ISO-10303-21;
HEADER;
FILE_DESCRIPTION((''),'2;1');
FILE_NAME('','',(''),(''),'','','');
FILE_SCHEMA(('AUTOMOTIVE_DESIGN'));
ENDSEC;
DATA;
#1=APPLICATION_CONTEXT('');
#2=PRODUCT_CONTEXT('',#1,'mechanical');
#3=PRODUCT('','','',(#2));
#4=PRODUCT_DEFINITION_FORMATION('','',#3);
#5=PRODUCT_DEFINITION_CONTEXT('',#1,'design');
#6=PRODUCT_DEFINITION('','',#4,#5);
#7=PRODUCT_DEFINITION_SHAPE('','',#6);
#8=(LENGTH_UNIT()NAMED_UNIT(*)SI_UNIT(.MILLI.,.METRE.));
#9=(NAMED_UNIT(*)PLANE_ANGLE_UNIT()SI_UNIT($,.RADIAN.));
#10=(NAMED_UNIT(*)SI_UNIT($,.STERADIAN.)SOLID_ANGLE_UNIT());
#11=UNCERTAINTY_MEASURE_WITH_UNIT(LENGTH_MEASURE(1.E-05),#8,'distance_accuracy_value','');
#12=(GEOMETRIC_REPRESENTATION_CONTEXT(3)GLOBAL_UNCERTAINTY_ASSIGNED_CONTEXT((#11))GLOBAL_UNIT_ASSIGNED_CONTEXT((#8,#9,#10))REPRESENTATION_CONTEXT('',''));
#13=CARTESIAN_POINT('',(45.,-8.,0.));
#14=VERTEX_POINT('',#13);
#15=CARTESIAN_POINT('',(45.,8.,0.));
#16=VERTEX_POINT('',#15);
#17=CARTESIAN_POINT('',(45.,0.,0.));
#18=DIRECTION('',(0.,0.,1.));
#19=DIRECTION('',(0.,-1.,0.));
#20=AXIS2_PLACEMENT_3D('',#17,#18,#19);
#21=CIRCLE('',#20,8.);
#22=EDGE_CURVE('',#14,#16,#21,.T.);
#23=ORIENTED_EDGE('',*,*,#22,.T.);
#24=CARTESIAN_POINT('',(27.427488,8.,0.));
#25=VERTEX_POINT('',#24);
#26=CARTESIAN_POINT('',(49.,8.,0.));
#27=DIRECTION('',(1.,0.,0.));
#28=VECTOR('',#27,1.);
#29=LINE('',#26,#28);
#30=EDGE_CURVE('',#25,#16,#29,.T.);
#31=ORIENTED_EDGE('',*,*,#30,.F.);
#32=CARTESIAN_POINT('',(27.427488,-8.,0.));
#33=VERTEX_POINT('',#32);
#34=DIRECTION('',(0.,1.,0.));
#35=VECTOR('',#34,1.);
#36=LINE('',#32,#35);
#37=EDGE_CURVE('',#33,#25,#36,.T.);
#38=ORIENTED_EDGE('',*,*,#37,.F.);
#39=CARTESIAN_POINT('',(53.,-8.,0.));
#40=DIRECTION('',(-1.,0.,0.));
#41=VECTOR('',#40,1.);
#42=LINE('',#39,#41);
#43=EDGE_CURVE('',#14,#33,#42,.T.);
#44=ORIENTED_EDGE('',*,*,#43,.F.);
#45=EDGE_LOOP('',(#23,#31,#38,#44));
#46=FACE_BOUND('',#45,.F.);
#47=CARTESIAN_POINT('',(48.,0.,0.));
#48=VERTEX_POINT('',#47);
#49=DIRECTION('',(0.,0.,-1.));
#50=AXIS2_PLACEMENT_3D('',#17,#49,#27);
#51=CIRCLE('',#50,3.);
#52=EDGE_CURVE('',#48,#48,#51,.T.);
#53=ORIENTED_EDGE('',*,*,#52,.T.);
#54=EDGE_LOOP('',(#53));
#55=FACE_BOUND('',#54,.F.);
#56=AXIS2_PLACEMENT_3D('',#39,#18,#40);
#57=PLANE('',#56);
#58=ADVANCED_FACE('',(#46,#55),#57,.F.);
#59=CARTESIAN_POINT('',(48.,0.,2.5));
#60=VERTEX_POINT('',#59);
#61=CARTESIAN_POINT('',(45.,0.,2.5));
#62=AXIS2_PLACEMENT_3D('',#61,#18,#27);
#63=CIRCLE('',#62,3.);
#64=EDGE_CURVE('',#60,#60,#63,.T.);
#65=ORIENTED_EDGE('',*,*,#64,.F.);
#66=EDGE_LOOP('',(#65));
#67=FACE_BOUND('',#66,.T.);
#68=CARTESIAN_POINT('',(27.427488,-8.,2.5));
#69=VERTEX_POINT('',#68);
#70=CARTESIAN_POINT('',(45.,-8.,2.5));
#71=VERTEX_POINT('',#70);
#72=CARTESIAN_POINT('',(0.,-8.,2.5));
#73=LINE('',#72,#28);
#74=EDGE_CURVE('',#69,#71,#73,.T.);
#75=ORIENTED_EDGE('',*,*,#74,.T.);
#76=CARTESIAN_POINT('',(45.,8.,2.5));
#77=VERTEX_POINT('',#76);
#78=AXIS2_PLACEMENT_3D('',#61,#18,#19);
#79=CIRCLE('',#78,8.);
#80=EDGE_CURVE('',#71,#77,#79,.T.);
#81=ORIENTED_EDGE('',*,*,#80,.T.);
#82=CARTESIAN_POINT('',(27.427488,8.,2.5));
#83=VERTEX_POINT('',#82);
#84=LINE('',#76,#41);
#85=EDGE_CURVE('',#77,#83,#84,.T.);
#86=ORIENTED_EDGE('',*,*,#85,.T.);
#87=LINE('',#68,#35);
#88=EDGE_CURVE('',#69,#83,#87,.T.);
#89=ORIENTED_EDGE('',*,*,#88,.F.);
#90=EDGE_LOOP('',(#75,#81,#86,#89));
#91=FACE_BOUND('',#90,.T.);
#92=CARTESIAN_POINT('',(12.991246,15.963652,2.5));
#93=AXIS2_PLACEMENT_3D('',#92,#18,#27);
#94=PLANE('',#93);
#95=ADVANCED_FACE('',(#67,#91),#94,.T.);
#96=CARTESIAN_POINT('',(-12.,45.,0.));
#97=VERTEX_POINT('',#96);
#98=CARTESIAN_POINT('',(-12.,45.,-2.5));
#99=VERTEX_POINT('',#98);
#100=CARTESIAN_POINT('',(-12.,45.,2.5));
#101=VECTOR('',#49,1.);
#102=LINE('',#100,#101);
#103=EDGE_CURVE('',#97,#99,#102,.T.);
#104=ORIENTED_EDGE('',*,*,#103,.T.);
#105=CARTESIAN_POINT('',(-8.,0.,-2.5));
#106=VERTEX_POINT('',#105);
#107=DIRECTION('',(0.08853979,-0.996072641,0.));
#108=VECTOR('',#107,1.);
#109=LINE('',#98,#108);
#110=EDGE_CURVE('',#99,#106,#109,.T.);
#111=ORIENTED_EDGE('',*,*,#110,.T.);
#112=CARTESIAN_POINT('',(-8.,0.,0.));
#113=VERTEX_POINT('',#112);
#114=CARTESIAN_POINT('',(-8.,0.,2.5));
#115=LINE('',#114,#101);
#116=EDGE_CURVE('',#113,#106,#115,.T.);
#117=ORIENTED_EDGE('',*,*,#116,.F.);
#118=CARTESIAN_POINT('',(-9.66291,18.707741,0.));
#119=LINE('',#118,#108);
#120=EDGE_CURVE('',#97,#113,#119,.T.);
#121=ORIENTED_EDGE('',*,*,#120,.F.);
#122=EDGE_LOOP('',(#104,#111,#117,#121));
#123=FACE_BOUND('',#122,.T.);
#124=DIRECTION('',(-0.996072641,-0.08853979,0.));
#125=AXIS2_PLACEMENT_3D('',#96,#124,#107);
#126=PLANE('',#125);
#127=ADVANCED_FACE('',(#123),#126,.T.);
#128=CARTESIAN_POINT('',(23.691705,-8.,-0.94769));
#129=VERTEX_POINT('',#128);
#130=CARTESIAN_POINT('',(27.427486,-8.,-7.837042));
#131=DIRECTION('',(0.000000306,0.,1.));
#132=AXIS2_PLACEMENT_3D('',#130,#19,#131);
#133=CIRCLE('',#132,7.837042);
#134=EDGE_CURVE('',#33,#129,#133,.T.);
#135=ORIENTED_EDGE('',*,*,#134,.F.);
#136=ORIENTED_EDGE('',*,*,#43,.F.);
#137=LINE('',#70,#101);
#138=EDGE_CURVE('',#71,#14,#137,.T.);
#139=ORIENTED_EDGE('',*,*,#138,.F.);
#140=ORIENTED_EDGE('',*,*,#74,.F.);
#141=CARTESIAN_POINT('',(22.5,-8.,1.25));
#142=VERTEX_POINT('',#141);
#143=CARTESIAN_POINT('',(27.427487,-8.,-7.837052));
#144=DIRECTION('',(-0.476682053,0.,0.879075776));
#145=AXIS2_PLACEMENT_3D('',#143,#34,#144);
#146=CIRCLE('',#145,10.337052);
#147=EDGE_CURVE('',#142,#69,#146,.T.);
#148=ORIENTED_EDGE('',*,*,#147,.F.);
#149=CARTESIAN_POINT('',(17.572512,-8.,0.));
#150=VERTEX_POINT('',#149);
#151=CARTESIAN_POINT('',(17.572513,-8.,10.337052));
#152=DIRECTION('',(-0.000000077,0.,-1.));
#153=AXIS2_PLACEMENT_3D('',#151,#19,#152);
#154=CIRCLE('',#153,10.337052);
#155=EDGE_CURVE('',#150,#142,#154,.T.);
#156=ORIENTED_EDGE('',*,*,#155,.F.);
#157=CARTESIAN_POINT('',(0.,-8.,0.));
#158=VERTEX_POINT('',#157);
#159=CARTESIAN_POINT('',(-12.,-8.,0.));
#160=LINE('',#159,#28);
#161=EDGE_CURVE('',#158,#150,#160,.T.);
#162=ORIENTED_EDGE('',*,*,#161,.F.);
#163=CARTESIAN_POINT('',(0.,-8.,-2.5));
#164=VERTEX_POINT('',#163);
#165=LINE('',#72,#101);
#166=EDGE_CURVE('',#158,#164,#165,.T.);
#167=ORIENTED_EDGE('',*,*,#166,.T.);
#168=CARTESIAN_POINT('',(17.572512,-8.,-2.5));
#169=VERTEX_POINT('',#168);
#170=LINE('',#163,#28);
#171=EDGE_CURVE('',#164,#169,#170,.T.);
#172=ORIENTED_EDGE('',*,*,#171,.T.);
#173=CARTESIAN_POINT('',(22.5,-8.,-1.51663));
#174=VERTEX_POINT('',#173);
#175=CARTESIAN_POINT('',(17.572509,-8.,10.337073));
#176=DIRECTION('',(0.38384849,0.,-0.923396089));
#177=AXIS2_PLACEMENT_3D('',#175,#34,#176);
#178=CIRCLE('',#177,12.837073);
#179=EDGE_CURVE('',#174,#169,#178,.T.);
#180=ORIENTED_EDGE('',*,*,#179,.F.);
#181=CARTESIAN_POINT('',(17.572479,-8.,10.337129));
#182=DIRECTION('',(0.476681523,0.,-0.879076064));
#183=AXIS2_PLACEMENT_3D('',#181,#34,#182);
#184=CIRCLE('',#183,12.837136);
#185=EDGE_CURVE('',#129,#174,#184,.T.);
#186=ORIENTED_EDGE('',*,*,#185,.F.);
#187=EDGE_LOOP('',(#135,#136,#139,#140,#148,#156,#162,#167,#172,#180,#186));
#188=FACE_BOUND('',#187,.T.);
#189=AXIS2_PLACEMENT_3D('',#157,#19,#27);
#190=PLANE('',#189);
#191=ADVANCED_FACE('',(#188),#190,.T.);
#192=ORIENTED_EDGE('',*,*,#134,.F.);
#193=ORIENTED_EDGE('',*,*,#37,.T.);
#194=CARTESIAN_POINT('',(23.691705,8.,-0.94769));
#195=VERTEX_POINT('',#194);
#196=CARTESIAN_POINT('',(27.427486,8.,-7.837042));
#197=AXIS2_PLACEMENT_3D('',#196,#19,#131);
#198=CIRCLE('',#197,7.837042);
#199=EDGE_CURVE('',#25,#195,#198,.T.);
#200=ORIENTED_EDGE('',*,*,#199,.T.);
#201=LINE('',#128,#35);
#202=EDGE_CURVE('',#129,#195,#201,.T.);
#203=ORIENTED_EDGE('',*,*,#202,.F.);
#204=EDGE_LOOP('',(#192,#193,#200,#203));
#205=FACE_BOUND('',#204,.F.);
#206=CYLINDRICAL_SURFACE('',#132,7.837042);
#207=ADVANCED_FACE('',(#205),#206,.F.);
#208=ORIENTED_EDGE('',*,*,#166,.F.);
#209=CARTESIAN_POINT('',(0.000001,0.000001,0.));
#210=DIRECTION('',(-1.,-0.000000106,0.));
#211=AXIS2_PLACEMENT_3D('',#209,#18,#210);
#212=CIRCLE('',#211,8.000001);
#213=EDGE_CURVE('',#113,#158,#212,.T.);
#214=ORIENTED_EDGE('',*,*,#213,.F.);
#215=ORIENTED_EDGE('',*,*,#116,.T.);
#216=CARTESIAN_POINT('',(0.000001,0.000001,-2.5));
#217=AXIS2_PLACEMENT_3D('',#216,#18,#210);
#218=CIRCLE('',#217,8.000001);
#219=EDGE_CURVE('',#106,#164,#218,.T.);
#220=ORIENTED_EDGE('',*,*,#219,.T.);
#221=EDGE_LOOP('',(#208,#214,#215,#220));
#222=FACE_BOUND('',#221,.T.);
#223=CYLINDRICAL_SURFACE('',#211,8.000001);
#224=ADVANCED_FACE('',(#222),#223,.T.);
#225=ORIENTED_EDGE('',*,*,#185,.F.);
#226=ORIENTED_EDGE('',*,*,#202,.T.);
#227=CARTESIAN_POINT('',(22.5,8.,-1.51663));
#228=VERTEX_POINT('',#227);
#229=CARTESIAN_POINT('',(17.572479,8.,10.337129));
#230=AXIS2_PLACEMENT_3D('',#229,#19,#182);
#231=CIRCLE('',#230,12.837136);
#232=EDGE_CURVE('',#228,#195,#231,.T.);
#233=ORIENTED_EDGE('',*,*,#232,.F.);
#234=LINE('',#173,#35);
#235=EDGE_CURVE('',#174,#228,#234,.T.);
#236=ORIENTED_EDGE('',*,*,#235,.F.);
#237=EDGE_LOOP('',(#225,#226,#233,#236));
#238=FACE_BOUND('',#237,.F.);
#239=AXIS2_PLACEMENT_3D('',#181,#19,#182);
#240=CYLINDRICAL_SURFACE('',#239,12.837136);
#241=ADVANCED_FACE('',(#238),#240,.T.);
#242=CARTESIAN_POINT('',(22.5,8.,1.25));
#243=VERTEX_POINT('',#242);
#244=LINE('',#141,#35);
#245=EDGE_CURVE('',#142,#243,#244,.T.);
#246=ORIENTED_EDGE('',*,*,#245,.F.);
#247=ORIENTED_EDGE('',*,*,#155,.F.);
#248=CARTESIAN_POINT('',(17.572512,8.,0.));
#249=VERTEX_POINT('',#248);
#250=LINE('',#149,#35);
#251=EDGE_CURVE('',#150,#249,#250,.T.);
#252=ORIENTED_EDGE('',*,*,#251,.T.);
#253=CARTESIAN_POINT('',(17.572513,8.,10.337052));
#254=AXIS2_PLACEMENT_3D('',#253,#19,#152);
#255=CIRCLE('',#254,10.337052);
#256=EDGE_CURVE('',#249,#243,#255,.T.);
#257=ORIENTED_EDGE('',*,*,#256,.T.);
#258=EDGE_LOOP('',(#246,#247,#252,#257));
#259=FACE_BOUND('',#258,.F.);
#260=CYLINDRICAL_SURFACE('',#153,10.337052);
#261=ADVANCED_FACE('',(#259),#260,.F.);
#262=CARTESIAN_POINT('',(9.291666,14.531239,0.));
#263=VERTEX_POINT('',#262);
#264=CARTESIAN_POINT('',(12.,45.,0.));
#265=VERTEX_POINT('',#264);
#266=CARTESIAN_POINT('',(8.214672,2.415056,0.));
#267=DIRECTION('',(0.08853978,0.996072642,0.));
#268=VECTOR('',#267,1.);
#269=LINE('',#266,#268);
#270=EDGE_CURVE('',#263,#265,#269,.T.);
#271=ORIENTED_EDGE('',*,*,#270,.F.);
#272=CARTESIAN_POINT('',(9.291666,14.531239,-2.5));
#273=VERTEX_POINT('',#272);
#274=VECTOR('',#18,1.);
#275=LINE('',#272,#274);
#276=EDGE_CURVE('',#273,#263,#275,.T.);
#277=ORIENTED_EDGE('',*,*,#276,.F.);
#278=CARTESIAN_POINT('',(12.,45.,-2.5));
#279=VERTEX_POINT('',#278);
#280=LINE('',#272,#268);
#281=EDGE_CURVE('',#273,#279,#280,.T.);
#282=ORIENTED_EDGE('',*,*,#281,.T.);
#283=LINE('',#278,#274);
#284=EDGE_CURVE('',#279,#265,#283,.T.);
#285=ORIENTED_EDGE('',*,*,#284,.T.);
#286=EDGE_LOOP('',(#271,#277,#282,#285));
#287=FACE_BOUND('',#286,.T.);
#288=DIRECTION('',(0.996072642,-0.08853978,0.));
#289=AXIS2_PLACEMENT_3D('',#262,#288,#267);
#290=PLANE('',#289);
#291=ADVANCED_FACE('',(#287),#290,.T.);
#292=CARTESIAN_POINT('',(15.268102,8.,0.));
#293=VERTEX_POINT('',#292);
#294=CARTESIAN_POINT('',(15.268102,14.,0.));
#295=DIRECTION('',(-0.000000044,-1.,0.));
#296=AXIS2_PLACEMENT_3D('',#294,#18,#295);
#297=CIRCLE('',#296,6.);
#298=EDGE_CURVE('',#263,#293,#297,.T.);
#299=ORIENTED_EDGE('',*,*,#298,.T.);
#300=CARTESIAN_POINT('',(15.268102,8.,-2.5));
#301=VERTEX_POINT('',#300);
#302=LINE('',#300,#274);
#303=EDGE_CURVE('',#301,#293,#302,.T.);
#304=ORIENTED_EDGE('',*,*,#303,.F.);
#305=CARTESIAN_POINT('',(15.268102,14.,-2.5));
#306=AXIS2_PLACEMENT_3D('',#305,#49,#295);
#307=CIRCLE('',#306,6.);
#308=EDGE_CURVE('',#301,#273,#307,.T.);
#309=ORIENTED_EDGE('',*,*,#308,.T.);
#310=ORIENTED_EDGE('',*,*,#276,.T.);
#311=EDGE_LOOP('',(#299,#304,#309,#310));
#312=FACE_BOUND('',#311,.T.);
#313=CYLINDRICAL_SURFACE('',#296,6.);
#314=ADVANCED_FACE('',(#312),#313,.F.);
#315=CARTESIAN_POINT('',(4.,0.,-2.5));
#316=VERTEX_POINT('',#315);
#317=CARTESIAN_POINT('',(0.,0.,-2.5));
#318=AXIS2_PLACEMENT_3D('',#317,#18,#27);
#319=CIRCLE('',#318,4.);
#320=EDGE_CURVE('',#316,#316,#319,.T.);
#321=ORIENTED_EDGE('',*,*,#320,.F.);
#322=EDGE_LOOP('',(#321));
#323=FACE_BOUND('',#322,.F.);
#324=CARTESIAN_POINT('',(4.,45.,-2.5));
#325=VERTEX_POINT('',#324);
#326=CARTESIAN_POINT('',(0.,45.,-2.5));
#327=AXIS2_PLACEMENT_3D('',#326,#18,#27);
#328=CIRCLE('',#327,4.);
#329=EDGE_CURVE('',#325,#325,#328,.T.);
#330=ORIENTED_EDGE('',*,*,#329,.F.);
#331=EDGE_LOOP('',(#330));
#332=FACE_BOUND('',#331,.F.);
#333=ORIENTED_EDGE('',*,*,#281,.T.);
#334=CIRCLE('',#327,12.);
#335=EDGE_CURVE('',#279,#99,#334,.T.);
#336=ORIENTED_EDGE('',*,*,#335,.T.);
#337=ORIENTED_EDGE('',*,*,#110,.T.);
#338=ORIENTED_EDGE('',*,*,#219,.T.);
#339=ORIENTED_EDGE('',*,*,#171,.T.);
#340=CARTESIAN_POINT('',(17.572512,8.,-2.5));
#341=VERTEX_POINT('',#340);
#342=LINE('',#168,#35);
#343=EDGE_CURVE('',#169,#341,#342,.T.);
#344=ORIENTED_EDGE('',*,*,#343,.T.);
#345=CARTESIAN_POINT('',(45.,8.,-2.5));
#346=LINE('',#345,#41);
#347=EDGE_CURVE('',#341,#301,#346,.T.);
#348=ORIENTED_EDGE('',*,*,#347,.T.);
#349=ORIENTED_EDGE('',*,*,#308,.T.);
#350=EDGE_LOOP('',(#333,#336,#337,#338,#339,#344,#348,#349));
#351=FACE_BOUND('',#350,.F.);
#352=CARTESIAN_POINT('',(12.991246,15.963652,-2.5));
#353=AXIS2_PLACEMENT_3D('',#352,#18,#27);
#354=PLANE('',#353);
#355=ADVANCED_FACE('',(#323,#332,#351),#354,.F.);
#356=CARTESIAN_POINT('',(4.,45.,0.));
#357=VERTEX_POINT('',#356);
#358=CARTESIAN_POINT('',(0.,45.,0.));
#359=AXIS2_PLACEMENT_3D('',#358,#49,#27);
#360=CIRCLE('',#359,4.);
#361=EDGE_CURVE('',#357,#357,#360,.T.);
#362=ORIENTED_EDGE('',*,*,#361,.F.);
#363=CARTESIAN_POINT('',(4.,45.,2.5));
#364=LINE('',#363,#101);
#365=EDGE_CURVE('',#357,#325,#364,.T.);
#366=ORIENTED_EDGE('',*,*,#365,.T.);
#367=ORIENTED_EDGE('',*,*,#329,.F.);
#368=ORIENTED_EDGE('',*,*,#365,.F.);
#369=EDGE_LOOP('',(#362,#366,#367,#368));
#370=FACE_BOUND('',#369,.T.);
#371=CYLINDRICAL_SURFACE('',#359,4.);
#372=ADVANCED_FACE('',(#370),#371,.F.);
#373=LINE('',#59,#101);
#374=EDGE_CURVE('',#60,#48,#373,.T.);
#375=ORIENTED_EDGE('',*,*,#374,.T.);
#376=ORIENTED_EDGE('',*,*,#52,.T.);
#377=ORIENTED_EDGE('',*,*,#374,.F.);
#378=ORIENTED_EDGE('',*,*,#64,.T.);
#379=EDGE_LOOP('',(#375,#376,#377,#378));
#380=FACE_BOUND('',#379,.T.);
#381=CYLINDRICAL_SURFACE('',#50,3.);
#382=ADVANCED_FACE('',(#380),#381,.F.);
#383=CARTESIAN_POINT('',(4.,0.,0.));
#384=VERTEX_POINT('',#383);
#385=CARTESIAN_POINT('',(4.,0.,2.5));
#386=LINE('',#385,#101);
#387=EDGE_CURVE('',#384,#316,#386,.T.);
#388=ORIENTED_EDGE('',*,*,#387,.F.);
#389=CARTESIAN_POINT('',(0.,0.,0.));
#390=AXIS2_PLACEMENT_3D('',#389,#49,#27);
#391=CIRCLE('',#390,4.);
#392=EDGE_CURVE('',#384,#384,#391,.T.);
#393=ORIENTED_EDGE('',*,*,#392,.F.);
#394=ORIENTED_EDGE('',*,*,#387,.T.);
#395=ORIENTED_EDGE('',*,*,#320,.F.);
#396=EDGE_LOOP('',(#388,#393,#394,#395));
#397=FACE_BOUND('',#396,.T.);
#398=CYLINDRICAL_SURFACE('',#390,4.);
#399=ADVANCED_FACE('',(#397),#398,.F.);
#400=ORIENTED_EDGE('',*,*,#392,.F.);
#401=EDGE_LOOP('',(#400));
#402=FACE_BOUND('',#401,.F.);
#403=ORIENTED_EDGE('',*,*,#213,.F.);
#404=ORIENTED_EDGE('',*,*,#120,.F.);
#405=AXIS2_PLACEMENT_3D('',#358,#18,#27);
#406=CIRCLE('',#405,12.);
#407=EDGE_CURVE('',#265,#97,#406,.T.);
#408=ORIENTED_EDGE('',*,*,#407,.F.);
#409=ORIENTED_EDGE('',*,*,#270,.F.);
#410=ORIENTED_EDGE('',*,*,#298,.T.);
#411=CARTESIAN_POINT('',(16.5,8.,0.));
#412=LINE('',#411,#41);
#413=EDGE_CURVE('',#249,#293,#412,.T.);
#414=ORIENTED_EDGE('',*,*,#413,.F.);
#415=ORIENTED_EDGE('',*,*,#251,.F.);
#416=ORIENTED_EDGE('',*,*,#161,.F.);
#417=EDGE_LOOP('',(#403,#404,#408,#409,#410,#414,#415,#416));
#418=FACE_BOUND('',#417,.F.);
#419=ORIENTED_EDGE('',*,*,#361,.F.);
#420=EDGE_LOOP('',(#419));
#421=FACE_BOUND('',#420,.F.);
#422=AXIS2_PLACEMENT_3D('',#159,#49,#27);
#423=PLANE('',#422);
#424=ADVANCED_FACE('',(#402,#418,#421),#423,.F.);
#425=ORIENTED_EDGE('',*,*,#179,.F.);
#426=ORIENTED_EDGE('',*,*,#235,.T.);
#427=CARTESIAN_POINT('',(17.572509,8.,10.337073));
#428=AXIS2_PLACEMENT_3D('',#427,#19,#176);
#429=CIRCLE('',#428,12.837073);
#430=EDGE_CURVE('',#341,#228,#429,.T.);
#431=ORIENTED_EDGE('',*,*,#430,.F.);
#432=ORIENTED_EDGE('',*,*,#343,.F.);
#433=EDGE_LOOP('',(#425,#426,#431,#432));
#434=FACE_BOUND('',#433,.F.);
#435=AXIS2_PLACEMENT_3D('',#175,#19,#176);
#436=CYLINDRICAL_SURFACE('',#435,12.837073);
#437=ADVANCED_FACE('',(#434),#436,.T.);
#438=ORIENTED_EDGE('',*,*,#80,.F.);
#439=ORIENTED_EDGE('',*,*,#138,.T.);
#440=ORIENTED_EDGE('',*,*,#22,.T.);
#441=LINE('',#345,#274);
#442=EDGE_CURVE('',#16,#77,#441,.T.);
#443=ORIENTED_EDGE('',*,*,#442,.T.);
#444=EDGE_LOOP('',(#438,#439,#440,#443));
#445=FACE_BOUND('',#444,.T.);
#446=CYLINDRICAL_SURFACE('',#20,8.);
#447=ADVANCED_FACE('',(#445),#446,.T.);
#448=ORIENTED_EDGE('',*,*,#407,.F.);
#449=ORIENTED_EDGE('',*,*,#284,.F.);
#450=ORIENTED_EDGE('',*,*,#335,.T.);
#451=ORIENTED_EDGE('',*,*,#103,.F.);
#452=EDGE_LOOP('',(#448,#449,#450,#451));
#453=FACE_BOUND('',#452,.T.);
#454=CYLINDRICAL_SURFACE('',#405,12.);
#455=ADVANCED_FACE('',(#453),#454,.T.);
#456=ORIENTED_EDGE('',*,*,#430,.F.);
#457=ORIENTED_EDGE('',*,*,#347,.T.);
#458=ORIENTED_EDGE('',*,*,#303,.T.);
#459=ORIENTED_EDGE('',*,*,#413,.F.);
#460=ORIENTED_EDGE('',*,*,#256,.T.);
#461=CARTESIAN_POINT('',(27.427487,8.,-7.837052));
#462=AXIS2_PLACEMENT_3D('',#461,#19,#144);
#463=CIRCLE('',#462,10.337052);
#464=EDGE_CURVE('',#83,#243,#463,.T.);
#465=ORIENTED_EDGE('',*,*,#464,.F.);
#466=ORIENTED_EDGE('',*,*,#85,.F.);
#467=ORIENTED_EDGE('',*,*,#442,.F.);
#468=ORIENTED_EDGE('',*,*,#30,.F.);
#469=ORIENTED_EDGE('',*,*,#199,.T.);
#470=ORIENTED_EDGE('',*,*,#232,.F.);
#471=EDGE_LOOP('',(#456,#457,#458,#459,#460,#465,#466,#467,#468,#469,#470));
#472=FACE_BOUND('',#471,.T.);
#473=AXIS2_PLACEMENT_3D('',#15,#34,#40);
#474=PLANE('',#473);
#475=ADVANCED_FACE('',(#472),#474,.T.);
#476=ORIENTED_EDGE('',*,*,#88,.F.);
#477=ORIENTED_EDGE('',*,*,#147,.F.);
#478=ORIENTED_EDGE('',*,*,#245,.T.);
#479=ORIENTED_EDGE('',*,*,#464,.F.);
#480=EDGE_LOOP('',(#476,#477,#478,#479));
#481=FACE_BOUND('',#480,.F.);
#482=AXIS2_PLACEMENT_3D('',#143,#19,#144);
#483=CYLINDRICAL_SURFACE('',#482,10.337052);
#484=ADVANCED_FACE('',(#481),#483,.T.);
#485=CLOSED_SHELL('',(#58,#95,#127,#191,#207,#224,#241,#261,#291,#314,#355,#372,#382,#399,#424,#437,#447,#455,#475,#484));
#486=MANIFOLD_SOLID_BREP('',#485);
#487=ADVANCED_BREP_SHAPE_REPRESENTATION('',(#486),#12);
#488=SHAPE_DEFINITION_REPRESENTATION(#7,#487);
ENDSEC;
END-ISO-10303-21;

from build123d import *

# Parameters (mm, degrees)
F0_R     = 4
F0_R_2   = 3
F1_DEPTH = 2.5
F2_W     = 12
F2_H     = 2.5
F2_W_2   = 8
F3_DEPTH = 65.001


with BuildPart() as f1:
    # F0 (on Top) → F1 (new body, symmetric)
    with BuildSketch(Plane.XY):
        with BuildLine():
            ThreePointArc((45, -8), (53, 0), (45, 8))
            Line((45, 8), (15.268102, 8))
            ThreePointArc((15.268102, 8), (10.841623, 9.949533), (9.291666, 14.531239))
            Line((9.291666, 14.531239), (12, 45))
            ThreePointArc((12, 45), (0, 57), (-12, 45))
            Line((-12, 45), (-8, 0))
            ThreePointArc((-8, 0), (-5.656854, -5.656854), (0, -8))
            Line((0, -8), (45, -8))
        make_face()
        Circle(F0_R, mode=Mode.SUBTRACT)
        with Locations((45, 0)):
            Circle(F0_R_2, mode=Mode.SUBTRACT)
        with Locations((0, 45)):
            Circle(F0_R, mode=Mode.SUBTRACT)
    extrude(amount=F1_DEPTH, both=True)

    # F2 (on face) → F3 (cut, through all)
    with BuildSketch(Plane.XZ.offset(8)):
        with Locations((-6, 1.25)):
            Rectangle(F2_W, F2_H)
        with BuildLine():
            Line((0, 2.5), (0, 0))
            Line((0, 0), (17.572512, 0))
            ThreePointArc((17.572512, 0), (20.114295, 0.317372), (22.5, 1.25))
            ThreePointArc((22.5, 1.25), (24.885705, 2.182628), (27.427488, 2.5))
            Line((27.427488, 2.5), (0, 2.5))
        make_face()
        with BuildLine():
            ThreePointArc((22.5, -1.51663), (20.084839, -2.251757), (17.572512, -2.5))
            Line((17.572512, -2.5), (22.5, -2.5))
            Line((22.5, -2.5), (22.5, -1.51663))
        make_face()
        with BuildLine():
            Line((22.5, -1.51663), (22.5, -2.5))
            Line((22.5, -2.5), (45, -2.5))
            Line((45, -2.5), (45, 0))
            Line((45, 0), (27.427488, 0))
            ThreePointArc((27.427488, 0), (25.500431, -0.240616), (23.691705, -0.94769))
            ThreePointArc((23.691705, -0.94769), (23.103173, -1.247494), (22.5, -1.51663))
        make_face()
        with Locations((49, -1.25)):
            Rectangle(F2_W_2, F2_H)
    extrude(amount=-F3_DEPTH, mode=Mode.SUBTRACT)


solid = f1.part
